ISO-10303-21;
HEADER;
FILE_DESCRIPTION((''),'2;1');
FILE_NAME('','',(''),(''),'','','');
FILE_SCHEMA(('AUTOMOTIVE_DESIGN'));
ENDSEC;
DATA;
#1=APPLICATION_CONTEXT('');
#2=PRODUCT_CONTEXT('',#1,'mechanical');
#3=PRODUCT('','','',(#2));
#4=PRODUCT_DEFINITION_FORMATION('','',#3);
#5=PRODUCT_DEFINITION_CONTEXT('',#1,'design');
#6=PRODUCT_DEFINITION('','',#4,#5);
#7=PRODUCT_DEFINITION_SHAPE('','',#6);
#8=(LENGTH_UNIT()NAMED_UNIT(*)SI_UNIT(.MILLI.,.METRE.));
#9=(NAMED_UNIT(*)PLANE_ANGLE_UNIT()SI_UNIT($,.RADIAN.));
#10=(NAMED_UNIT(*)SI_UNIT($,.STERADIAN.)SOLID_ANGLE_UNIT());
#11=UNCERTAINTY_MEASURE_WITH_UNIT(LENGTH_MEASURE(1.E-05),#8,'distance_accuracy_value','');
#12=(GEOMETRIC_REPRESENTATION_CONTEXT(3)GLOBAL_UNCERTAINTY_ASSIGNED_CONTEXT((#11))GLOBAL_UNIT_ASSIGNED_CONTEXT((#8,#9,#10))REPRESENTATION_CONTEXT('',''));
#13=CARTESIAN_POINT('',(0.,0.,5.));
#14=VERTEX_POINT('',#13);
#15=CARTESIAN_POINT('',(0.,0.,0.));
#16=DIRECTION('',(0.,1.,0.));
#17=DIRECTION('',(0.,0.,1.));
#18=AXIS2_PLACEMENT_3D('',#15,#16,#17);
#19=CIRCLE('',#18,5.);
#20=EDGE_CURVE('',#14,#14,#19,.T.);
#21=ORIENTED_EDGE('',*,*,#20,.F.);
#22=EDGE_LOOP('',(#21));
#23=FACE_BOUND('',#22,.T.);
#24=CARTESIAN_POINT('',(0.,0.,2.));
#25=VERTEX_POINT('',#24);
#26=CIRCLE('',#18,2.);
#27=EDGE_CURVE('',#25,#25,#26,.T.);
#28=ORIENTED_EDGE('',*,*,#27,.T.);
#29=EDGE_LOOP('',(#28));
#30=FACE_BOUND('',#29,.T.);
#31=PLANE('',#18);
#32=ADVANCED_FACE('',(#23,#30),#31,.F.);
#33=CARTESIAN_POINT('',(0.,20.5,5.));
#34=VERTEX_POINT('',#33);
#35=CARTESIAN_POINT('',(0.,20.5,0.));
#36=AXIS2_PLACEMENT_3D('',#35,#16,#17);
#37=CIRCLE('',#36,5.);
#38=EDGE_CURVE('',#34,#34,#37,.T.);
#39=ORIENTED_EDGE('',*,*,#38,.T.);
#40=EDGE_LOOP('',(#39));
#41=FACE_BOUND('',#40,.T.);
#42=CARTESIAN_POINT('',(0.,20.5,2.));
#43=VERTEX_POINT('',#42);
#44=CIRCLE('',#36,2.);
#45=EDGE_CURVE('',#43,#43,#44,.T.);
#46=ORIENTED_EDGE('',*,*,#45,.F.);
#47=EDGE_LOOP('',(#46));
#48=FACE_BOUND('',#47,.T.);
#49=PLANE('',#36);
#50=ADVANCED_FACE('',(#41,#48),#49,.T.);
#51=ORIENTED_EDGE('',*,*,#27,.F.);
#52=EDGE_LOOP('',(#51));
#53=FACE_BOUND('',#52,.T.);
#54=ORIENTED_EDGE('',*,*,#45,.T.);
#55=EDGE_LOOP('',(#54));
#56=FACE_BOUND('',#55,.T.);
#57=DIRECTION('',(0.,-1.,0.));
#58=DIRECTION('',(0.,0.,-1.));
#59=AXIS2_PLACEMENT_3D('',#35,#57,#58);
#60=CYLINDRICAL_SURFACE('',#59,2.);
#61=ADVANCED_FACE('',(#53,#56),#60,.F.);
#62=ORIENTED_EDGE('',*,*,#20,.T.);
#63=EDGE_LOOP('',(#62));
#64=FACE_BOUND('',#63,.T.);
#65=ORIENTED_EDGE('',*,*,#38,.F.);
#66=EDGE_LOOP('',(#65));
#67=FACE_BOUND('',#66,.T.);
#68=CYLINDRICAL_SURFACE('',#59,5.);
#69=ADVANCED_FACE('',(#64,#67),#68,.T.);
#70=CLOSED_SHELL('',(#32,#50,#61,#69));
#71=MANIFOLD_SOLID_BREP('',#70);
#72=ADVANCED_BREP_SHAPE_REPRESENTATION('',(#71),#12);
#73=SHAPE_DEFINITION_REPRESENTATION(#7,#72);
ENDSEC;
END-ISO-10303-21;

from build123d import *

# Parameters (mm, degrees)
SKETCH_1_R      = 5
SKETCH_1_R_2    = 2
EXTRUDE_1_DEPTH = 20.5


with BuildPart() as part:
    # Эскиз1 → Бобышка-Вытянуть1 (new body)
    with BuildSketch(Plane(origin=(0, 0, 0), x_dir=(1, 0, 0), z_dir=(0, 1, 0))):
        with Locations(Location((0, 0, 0), (0, 0, 270))):
            Circle(SKETCH_1_R)
        with Locations(Location((0, 0, 0), (0, 0, 270))):
            Circle(SKETCH_1_R_2, mode=Mode.SUBTRACT)
    extrude(amount=EXTRUDE_1_DEPTH)


solid = part.part
